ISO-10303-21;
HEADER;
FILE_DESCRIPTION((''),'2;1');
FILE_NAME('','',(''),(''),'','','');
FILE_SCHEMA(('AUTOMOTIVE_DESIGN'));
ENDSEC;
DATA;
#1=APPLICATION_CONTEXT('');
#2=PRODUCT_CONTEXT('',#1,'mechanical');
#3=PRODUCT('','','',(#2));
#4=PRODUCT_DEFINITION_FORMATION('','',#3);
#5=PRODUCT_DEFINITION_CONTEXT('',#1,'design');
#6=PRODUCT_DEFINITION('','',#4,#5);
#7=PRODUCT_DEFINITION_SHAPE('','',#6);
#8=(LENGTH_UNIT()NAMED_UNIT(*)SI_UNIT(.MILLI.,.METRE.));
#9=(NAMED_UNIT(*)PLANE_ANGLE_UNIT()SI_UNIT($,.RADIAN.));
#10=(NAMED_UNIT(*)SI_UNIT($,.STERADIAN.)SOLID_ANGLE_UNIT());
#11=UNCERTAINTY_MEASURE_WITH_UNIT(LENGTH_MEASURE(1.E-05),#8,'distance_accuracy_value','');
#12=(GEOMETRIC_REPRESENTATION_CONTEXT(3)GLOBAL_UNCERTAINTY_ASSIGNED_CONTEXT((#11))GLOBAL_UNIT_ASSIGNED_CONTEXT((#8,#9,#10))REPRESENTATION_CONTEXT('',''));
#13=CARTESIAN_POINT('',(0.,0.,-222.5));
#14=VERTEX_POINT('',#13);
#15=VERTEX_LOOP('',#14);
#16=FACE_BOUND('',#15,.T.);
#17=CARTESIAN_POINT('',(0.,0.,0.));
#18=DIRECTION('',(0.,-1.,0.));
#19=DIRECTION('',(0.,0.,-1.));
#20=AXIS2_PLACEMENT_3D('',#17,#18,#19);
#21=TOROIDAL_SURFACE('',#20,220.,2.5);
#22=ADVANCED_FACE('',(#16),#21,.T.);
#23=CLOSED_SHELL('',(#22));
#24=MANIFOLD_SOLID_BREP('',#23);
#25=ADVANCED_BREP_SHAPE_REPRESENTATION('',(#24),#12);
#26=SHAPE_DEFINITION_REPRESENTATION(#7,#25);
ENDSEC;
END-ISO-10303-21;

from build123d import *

# Parameters (mm, degrees)
SKETCH2_R = 2.5


with BuildPart() as part:
    # Sketch2 → Revolve1 (revolve)
    with BuildSketch(Plane(origin=(0, 0, 0), x_dir=(0, 0, -1), z_dir=(1, 0, 0))):
        with Locations((220, 0)):
            Circle(SKETCH2_R)
    revolve(axis=Axis((0, 0, 0), (0, 1, 0)))


solid = part.part
